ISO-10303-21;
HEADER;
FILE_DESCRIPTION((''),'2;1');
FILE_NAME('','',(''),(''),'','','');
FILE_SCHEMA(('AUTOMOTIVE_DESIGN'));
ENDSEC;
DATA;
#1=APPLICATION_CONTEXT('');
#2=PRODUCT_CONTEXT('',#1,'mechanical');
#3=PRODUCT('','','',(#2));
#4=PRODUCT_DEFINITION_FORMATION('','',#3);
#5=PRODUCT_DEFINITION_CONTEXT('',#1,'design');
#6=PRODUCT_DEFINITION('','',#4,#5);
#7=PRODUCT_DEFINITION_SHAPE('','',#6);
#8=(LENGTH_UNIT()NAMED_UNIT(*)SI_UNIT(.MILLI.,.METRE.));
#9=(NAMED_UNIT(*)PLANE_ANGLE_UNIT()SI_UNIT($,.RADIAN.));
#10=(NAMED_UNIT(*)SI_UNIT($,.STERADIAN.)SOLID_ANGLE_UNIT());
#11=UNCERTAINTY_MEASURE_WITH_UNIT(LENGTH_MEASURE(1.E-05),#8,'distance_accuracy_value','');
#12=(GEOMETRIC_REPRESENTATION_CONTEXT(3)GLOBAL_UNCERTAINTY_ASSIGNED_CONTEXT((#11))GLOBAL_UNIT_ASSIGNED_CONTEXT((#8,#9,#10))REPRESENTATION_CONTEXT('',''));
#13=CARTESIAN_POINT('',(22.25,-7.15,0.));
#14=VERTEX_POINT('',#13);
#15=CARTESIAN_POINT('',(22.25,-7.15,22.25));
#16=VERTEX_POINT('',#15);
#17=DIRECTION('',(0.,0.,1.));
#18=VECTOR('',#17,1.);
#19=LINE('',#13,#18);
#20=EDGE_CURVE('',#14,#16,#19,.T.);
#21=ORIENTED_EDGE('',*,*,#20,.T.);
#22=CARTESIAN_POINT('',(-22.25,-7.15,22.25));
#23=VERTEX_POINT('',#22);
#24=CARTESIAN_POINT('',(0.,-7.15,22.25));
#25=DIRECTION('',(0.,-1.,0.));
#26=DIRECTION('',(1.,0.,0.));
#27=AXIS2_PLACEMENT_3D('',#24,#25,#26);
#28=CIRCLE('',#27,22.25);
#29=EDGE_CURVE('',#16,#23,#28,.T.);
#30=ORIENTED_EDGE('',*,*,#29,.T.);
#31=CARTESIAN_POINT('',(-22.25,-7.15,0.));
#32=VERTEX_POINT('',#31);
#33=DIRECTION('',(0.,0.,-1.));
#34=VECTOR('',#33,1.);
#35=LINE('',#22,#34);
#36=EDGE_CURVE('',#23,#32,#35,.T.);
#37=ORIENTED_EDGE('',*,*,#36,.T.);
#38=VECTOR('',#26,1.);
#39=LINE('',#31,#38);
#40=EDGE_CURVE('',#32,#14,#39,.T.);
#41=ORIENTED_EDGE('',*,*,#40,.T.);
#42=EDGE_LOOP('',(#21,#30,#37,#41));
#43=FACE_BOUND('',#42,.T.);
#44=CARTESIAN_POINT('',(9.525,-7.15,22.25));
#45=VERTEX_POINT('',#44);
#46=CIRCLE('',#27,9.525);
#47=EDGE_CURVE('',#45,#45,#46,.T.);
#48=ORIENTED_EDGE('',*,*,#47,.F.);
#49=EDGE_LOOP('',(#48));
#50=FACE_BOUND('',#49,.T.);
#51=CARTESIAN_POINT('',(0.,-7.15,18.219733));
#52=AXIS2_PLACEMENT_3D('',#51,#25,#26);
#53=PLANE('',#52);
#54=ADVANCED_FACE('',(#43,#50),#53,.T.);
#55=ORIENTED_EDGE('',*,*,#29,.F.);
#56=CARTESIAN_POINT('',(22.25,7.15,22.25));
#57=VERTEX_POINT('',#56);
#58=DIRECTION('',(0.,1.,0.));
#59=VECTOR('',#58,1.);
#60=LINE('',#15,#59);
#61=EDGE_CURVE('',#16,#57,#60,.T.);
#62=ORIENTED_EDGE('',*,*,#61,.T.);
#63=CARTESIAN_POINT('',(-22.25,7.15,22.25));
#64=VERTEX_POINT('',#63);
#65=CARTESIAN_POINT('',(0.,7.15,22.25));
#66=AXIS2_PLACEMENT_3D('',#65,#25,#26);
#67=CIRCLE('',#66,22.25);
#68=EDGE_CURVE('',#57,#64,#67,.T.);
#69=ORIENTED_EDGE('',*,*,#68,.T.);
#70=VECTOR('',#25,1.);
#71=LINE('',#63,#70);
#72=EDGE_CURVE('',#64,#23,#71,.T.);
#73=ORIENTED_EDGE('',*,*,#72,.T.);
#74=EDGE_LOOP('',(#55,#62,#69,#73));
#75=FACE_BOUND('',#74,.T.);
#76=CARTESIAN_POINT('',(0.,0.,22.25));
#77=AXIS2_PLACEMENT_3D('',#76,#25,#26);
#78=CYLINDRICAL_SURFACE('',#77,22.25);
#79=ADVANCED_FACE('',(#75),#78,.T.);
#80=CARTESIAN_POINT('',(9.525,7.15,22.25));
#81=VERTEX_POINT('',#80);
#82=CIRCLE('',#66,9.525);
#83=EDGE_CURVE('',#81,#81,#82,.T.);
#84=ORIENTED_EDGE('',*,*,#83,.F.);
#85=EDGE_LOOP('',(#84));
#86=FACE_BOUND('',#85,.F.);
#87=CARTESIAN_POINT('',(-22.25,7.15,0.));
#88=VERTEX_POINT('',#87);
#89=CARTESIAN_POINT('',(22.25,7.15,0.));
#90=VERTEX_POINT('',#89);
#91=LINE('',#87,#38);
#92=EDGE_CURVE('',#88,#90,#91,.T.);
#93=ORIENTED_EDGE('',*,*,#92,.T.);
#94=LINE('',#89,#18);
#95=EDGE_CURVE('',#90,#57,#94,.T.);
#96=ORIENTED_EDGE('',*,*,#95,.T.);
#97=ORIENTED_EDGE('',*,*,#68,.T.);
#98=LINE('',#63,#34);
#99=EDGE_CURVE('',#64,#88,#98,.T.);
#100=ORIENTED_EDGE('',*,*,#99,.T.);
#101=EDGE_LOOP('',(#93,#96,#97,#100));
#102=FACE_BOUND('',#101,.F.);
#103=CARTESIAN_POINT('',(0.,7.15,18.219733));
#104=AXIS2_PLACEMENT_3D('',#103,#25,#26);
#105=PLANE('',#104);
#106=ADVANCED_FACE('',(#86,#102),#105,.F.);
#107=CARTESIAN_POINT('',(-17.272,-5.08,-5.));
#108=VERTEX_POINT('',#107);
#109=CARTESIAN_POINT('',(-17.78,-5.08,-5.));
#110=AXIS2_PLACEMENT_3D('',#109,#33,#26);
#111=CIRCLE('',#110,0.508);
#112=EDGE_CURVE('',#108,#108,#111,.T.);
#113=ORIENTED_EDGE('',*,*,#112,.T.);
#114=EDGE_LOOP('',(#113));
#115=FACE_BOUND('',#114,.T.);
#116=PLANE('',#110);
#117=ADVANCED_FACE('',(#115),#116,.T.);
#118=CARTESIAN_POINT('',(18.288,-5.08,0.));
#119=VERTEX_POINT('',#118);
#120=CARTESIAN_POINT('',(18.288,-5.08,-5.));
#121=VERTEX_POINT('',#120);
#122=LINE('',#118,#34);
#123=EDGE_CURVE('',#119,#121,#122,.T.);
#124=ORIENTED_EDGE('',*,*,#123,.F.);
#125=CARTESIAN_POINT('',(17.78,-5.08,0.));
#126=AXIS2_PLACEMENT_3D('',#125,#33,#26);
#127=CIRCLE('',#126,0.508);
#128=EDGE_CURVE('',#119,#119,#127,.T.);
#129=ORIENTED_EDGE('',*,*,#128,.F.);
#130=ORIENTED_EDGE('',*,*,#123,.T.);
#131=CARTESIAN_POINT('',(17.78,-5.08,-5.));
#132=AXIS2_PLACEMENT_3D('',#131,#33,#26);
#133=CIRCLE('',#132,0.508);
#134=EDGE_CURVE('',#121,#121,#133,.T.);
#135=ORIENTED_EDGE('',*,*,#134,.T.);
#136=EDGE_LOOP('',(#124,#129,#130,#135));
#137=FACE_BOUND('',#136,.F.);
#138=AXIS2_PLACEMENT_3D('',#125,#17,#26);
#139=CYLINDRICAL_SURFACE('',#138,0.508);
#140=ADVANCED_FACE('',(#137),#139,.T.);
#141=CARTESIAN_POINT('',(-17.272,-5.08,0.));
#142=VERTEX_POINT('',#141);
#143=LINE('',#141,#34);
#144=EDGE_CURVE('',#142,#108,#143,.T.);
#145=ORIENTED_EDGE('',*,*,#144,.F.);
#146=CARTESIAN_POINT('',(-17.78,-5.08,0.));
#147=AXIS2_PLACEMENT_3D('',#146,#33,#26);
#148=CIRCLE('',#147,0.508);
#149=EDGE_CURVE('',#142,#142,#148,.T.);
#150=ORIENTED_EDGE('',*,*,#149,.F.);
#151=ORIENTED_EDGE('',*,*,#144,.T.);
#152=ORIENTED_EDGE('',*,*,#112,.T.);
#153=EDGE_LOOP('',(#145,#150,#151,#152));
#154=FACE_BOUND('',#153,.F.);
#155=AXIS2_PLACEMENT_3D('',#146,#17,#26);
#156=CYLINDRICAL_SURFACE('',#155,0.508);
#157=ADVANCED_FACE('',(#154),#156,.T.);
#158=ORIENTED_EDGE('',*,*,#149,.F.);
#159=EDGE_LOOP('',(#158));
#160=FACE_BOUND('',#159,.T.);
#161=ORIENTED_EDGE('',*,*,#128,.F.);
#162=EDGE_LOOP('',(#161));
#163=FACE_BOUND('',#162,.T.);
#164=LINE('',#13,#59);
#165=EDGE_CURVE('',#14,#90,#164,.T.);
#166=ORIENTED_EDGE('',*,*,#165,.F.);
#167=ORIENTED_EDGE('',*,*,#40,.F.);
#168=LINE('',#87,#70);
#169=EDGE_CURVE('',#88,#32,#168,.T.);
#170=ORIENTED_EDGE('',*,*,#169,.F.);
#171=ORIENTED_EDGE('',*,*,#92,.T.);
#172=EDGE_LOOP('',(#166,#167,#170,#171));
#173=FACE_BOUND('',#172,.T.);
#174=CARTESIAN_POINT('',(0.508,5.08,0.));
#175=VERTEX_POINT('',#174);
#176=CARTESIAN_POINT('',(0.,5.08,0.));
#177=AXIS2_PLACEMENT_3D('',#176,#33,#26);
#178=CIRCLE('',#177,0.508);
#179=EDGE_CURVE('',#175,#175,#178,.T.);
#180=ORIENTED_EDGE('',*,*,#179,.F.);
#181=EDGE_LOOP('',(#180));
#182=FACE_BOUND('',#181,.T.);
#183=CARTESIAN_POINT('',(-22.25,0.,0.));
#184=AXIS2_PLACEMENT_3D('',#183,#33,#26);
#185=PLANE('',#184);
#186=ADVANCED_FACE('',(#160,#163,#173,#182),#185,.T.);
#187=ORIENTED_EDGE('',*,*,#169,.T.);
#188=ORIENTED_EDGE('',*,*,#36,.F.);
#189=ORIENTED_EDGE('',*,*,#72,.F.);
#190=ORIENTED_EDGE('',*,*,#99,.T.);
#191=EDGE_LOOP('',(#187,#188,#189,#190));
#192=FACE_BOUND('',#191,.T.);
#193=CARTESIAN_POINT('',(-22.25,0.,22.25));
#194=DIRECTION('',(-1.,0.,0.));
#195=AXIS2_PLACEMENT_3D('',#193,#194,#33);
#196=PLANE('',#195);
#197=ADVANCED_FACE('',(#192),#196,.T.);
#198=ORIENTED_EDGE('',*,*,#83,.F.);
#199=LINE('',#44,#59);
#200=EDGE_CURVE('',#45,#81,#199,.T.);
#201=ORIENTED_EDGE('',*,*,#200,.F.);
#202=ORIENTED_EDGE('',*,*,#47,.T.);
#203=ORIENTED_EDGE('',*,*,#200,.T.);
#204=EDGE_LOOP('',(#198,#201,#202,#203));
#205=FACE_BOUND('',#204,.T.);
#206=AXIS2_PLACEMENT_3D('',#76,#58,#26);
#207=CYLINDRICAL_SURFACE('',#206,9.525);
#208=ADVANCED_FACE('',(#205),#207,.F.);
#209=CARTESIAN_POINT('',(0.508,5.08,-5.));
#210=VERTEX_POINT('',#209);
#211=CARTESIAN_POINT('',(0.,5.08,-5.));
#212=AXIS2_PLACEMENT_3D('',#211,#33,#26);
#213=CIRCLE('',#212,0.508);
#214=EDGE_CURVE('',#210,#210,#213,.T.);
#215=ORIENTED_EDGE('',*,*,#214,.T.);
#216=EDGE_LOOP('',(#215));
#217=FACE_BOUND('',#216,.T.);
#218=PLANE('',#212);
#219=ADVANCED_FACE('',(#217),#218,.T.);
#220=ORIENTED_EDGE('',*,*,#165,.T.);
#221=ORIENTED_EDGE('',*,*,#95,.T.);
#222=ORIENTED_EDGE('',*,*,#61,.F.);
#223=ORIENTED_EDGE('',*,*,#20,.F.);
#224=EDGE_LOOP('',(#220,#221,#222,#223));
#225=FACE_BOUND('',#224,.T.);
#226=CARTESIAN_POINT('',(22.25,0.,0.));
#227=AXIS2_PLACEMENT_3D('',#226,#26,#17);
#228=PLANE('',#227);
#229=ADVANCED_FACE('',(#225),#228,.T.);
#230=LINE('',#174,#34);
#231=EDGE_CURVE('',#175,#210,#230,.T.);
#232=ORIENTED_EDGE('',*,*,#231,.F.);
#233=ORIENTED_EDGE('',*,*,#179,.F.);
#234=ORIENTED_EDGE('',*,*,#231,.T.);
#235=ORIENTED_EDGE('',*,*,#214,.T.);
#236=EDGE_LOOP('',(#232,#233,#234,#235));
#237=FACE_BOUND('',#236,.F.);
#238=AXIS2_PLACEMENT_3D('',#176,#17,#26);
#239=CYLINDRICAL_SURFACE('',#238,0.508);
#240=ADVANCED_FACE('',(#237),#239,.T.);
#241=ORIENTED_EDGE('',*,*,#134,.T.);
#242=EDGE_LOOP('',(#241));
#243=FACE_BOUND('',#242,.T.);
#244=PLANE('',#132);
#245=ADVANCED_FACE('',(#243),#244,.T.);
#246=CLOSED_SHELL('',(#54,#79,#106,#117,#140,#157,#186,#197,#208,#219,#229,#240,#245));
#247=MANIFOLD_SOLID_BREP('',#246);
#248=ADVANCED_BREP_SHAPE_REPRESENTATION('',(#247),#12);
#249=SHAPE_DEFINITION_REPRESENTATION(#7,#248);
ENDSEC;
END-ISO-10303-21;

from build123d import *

# Parameters (mm, degrees)
F0_R     = 9.525
F1_DEPTH = 7.15
F2_R     = 0.508
F3_DEPTH = 5


with BuildPart() as f1:
    # F0 (on Front) → F1 (new body, symmetric)
    with BuildSketch(Plane.XZ):
        with BuildLine():
            ThreePointArc((22.25, 22.25), (0, 44.5), (-22.25, 22.25))
            Line((-22.25, 22.25), (-22.25, 0))
            Line((-22.25, 0), (22.25, 0))
            Line((22.25, 0), (22.25, 22.25))
        make_face()
        with Locations((0, 22.25)):
            Circle(F0_R, mode=Mode.SUBTRACT)
    extrude(amount=F1_DEPTH, both=True)

    # F2 (on face) → F3 (join)
    with BuildSketch(Plane(origin=(0, 0, 0), x_dir=(1, 0, 0), z_dir=(0, 0, -1))):
        with Locations((-17.78, 5.08)):
            Circle(F2_R)
        with Locations((17.78, 5.08)):
            Circle(F2_R)
        with Locations((0, -5.08)):
            Circle(F2_R)
    extrude(amount=F3_DEPTH)


solid = f1.part
